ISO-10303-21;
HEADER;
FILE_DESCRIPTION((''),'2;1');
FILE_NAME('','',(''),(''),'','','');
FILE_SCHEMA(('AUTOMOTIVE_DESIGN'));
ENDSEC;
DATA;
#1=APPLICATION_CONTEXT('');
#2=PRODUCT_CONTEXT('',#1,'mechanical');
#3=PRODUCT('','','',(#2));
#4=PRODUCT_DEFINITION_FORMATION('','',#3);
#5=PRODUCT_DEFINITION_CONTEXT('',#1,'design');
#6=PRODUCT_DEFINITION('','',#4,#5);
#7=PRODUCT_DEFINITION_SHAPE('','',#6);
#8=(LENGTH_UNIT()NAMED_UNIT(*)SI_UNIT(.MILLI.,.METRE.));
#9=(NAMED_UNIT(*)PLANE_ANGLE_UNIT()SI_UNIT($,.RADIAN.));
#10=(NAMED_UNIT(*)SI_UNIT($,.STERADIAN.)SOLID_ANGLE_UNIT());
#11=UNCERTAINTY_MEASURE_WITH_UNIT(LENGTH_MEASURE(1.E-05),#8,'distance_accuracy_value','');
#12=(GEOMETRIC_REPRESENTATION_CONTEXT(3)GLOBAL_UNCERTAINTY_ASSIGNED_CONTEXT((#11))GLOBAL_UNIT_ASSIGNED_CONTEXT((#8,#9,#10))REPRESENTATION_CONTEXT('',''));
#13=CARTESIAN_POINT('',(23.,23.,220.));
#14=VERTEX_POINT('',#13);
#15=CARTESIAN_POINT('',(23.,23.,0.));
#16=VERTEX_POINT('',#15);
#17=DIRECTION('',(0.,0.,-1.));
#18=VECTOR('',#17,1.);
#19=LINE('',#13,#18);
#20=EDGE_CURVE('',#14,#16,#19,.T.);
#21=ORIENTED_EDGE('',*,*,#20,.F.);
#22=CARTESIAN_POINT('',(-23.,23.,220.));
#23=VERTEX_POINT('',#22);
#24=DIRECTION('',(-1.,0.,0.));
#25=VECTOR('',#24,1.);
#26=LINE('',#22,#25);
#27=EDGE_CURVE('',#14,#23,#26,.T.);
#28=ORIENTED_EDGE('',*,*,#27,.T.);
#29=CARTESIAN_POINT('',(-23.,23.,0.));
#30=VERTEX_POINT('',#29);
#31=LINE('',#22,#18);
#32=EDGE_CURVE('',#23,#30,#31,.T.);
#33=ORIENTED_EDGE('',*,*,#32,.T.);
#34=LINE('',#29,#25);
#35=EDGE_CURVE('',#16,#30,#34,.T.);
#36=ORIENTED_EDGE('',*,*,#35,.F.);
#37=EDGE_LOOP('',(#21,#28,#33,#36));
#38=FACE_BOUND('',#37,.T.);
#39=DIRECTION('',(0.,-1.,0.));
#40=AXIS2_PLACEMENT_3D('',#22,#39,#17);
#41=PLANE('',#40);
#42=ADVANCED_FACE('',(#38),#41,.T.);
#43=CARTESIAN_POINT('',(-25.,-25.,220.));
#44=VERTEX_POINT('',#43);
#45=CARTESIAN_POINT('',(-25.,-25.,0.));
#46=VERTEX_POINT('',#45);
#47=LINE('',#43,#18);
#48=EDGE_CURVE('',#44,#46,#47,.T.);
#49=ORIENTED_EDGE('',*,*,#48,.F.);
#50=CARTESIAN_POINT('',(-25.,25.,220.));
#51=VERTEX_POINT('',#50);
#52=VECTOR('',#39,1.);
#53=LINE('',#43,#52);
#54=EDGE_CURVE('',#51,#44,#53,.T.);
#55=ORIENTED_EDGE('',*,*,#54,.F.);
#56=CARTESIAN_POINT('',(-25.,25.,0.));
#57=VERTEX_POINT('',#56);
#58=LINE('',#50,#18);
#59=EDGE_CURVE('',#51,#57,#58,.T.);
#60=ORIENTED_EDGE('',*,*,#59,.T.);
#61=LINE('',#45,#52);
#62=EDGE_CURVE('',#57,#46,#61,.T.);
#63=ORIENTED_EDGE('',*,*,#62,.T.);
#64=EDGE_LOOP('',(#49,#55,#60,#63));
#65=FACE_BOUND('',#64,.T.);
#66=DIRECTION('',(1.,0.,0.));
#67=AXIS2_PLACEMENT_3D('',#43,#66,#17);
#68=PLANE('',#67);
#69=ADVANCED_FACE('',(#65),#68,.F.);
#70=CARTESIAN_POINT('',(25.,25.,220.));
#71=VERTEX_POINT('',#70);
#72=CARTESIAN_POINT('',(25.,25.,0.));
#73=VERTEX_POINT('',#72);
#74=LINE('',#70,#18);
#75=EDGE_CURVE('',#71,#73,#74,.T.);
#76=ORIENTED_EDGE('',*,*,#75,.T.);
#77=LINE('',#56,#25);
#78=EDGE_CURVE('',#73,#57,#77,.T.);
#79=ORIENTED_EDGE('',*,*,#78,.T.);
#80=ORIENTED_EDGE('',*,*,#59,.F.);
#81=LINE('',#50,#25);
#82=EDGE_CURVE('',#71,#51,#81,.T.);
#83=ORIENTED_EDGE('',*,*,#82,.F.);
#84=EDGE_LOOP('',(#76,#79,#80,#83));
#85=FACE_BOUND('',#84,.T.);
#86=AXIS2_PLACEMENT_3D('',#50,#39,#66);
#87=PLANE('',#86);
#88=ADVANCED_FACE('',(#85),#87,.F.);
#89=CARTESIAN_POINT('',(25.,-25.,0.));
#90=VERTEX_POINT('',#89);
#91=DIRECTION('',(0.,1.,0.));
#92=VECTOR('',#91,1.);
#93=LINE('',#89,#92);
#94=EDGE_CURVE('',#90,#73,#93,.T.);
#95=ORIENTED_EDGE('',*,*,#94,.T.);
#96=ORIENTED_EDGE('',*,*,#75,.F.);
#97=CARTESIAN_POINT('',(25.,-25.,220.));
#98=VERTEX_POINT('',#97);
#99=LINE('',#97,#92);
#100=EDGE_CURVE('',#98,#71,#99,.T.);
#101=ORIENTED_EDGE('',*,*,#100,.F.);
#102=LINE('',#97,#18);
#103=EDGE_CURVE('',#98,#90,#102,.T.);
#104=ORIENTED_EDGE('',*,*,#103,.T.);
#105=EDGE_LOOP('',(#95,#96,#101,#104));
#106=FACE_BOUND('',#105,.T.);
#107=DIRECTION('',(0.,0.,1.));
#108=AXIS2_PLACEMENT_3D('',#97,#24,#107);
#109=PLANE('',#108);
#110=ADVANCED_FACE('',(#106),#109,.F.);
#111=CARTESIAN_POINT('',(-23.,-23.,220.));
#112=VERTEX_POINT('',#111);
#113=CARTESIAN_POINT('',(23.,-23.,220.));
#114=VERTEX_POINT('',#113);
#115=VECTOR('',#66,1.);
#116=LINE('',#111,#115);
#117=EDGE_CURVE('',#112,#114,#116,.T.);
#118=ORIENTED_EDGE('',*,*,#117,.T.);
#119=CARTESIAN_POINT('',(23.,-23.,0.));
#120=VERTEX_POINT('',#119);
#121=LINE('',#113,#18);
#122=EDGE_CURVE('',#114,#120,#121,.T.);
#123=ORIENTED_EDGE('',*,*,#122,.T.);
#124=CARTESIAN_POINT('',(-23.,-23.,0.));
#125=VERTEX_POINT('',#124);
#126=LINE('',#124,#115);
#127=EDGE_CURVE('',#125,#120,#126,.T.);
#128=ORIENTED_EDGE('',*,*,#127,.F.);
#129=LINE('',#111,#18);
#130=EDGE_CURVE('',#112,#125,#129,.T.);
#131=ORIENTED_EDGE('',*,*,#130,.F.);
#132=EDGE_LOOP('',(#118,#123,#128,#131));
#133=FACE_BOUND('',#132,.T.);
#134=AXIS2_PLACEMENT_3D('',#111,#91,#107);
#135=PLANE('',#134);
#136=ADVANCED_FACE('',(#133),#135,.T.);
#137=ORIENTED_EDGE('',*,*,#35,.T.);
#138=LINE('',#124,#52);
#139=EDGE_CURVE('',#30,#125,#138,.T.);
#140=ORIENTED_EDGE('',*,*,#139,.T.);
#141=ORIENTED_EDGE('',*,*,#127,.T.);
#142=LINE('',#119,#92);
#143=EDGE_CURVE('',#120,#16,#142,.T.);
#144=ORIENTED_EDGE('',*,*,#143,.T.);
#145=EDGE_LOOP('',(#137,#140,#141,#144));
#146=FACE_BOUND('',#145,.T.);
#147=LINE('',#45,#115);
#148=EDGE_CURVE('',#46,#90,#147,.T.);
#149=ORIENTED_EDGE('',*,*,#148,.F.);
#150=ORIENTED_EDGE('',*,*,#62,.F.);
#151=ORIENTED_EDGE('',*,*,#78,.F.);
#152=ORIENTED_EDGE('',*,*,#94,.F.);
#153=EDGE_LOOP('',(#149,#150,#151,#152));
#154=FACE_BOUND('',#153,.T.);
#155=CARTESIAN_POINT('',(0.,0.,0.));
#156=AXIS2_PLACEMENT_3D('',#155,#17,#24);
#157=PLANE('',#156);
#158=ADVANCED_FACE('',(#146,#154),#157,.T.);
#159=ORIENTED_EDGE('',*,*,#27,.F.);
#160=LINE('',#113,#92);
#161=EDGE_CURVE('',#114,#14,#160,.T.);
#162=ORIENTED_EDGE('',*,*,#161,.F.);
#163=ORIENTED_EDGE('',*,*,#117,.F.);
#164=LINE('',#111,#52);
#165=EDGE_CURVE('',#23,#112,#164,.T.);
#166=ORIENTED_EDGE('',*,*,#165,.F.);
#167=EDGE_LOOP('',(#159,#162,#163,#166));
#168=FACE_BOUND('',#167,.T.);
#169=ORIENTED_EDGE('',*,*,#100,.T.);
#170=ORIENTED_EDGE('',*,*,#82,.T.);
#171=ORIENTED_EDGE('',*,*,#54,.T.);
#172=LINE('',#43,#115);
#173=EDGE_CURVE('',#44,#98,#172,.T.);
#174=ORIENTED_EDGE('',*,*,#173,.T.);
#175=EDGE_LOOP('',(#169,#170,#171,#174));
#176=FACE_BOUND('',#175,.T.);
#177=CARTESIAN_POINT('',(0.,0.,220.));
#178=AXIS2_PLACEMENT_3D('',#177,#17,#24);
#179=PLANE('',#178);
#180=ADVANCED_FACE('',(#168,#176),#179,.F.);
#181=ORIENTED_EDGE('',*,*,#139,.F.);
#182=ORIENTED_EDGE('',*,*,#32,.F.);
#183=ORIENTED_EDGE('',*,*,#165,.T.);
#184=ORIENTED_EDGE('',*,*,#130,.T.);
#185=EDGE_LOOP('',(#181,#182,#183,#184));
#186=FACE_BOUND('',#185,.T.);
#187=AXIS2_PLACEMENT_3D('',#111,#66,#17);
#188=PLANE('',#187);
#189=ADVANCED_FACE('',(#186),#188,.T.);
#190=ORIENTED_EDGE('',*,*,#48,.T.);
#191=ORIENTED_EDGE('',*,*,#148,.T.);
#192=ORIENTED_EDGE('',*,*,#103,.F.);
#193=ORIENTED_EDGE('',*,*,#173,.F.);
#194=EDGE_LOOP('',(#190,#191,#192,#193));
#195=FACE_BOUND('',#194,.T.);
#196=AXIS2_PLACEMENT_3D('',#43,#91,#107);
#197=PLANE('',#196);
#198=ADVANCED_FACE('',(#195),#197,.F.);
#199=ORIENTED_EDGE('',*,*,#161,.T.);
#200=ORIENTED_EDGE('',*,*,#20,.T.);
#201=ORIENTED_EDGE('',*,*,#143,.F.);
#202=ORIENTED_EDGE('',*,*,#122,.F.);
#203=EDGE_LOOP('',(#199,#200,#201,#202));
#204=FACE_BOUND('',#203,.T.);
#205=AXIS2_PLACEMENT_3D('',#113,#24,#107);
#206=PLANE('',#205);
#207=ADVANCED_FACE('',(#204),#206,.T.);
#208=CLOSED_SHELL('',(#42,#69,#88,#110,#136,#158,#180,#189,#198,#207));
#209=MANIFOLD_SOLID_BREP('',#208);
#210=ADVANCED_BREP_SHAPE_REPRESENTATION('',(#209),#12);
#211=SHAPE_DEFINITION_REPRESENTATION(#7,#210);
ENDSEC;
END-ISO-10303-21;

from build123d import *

# Parameters (mm, degrees)
SKETCH1_W           = 50
SKETCH1_H           = 50
SKETCH1_W_2         = 46
SKETCH1_H_2         = 46
BOSS_EXTRUDE1_DEPTH = 220


with BuildPart() as part:
    # Sketch1 → Boss-Extrude1 (new body)
    with BuildSketch(Plane.XY):
        Rectangle(SKETCH1_W, SKETCH1_H)
        Rectangle(SKETCH1_W_2, SKETCH1_H_2, mode=Mode.SUBTRACT)
    extrude(amount=BOSS_EXTRUDE1_DEPTH)


solid = part.part
